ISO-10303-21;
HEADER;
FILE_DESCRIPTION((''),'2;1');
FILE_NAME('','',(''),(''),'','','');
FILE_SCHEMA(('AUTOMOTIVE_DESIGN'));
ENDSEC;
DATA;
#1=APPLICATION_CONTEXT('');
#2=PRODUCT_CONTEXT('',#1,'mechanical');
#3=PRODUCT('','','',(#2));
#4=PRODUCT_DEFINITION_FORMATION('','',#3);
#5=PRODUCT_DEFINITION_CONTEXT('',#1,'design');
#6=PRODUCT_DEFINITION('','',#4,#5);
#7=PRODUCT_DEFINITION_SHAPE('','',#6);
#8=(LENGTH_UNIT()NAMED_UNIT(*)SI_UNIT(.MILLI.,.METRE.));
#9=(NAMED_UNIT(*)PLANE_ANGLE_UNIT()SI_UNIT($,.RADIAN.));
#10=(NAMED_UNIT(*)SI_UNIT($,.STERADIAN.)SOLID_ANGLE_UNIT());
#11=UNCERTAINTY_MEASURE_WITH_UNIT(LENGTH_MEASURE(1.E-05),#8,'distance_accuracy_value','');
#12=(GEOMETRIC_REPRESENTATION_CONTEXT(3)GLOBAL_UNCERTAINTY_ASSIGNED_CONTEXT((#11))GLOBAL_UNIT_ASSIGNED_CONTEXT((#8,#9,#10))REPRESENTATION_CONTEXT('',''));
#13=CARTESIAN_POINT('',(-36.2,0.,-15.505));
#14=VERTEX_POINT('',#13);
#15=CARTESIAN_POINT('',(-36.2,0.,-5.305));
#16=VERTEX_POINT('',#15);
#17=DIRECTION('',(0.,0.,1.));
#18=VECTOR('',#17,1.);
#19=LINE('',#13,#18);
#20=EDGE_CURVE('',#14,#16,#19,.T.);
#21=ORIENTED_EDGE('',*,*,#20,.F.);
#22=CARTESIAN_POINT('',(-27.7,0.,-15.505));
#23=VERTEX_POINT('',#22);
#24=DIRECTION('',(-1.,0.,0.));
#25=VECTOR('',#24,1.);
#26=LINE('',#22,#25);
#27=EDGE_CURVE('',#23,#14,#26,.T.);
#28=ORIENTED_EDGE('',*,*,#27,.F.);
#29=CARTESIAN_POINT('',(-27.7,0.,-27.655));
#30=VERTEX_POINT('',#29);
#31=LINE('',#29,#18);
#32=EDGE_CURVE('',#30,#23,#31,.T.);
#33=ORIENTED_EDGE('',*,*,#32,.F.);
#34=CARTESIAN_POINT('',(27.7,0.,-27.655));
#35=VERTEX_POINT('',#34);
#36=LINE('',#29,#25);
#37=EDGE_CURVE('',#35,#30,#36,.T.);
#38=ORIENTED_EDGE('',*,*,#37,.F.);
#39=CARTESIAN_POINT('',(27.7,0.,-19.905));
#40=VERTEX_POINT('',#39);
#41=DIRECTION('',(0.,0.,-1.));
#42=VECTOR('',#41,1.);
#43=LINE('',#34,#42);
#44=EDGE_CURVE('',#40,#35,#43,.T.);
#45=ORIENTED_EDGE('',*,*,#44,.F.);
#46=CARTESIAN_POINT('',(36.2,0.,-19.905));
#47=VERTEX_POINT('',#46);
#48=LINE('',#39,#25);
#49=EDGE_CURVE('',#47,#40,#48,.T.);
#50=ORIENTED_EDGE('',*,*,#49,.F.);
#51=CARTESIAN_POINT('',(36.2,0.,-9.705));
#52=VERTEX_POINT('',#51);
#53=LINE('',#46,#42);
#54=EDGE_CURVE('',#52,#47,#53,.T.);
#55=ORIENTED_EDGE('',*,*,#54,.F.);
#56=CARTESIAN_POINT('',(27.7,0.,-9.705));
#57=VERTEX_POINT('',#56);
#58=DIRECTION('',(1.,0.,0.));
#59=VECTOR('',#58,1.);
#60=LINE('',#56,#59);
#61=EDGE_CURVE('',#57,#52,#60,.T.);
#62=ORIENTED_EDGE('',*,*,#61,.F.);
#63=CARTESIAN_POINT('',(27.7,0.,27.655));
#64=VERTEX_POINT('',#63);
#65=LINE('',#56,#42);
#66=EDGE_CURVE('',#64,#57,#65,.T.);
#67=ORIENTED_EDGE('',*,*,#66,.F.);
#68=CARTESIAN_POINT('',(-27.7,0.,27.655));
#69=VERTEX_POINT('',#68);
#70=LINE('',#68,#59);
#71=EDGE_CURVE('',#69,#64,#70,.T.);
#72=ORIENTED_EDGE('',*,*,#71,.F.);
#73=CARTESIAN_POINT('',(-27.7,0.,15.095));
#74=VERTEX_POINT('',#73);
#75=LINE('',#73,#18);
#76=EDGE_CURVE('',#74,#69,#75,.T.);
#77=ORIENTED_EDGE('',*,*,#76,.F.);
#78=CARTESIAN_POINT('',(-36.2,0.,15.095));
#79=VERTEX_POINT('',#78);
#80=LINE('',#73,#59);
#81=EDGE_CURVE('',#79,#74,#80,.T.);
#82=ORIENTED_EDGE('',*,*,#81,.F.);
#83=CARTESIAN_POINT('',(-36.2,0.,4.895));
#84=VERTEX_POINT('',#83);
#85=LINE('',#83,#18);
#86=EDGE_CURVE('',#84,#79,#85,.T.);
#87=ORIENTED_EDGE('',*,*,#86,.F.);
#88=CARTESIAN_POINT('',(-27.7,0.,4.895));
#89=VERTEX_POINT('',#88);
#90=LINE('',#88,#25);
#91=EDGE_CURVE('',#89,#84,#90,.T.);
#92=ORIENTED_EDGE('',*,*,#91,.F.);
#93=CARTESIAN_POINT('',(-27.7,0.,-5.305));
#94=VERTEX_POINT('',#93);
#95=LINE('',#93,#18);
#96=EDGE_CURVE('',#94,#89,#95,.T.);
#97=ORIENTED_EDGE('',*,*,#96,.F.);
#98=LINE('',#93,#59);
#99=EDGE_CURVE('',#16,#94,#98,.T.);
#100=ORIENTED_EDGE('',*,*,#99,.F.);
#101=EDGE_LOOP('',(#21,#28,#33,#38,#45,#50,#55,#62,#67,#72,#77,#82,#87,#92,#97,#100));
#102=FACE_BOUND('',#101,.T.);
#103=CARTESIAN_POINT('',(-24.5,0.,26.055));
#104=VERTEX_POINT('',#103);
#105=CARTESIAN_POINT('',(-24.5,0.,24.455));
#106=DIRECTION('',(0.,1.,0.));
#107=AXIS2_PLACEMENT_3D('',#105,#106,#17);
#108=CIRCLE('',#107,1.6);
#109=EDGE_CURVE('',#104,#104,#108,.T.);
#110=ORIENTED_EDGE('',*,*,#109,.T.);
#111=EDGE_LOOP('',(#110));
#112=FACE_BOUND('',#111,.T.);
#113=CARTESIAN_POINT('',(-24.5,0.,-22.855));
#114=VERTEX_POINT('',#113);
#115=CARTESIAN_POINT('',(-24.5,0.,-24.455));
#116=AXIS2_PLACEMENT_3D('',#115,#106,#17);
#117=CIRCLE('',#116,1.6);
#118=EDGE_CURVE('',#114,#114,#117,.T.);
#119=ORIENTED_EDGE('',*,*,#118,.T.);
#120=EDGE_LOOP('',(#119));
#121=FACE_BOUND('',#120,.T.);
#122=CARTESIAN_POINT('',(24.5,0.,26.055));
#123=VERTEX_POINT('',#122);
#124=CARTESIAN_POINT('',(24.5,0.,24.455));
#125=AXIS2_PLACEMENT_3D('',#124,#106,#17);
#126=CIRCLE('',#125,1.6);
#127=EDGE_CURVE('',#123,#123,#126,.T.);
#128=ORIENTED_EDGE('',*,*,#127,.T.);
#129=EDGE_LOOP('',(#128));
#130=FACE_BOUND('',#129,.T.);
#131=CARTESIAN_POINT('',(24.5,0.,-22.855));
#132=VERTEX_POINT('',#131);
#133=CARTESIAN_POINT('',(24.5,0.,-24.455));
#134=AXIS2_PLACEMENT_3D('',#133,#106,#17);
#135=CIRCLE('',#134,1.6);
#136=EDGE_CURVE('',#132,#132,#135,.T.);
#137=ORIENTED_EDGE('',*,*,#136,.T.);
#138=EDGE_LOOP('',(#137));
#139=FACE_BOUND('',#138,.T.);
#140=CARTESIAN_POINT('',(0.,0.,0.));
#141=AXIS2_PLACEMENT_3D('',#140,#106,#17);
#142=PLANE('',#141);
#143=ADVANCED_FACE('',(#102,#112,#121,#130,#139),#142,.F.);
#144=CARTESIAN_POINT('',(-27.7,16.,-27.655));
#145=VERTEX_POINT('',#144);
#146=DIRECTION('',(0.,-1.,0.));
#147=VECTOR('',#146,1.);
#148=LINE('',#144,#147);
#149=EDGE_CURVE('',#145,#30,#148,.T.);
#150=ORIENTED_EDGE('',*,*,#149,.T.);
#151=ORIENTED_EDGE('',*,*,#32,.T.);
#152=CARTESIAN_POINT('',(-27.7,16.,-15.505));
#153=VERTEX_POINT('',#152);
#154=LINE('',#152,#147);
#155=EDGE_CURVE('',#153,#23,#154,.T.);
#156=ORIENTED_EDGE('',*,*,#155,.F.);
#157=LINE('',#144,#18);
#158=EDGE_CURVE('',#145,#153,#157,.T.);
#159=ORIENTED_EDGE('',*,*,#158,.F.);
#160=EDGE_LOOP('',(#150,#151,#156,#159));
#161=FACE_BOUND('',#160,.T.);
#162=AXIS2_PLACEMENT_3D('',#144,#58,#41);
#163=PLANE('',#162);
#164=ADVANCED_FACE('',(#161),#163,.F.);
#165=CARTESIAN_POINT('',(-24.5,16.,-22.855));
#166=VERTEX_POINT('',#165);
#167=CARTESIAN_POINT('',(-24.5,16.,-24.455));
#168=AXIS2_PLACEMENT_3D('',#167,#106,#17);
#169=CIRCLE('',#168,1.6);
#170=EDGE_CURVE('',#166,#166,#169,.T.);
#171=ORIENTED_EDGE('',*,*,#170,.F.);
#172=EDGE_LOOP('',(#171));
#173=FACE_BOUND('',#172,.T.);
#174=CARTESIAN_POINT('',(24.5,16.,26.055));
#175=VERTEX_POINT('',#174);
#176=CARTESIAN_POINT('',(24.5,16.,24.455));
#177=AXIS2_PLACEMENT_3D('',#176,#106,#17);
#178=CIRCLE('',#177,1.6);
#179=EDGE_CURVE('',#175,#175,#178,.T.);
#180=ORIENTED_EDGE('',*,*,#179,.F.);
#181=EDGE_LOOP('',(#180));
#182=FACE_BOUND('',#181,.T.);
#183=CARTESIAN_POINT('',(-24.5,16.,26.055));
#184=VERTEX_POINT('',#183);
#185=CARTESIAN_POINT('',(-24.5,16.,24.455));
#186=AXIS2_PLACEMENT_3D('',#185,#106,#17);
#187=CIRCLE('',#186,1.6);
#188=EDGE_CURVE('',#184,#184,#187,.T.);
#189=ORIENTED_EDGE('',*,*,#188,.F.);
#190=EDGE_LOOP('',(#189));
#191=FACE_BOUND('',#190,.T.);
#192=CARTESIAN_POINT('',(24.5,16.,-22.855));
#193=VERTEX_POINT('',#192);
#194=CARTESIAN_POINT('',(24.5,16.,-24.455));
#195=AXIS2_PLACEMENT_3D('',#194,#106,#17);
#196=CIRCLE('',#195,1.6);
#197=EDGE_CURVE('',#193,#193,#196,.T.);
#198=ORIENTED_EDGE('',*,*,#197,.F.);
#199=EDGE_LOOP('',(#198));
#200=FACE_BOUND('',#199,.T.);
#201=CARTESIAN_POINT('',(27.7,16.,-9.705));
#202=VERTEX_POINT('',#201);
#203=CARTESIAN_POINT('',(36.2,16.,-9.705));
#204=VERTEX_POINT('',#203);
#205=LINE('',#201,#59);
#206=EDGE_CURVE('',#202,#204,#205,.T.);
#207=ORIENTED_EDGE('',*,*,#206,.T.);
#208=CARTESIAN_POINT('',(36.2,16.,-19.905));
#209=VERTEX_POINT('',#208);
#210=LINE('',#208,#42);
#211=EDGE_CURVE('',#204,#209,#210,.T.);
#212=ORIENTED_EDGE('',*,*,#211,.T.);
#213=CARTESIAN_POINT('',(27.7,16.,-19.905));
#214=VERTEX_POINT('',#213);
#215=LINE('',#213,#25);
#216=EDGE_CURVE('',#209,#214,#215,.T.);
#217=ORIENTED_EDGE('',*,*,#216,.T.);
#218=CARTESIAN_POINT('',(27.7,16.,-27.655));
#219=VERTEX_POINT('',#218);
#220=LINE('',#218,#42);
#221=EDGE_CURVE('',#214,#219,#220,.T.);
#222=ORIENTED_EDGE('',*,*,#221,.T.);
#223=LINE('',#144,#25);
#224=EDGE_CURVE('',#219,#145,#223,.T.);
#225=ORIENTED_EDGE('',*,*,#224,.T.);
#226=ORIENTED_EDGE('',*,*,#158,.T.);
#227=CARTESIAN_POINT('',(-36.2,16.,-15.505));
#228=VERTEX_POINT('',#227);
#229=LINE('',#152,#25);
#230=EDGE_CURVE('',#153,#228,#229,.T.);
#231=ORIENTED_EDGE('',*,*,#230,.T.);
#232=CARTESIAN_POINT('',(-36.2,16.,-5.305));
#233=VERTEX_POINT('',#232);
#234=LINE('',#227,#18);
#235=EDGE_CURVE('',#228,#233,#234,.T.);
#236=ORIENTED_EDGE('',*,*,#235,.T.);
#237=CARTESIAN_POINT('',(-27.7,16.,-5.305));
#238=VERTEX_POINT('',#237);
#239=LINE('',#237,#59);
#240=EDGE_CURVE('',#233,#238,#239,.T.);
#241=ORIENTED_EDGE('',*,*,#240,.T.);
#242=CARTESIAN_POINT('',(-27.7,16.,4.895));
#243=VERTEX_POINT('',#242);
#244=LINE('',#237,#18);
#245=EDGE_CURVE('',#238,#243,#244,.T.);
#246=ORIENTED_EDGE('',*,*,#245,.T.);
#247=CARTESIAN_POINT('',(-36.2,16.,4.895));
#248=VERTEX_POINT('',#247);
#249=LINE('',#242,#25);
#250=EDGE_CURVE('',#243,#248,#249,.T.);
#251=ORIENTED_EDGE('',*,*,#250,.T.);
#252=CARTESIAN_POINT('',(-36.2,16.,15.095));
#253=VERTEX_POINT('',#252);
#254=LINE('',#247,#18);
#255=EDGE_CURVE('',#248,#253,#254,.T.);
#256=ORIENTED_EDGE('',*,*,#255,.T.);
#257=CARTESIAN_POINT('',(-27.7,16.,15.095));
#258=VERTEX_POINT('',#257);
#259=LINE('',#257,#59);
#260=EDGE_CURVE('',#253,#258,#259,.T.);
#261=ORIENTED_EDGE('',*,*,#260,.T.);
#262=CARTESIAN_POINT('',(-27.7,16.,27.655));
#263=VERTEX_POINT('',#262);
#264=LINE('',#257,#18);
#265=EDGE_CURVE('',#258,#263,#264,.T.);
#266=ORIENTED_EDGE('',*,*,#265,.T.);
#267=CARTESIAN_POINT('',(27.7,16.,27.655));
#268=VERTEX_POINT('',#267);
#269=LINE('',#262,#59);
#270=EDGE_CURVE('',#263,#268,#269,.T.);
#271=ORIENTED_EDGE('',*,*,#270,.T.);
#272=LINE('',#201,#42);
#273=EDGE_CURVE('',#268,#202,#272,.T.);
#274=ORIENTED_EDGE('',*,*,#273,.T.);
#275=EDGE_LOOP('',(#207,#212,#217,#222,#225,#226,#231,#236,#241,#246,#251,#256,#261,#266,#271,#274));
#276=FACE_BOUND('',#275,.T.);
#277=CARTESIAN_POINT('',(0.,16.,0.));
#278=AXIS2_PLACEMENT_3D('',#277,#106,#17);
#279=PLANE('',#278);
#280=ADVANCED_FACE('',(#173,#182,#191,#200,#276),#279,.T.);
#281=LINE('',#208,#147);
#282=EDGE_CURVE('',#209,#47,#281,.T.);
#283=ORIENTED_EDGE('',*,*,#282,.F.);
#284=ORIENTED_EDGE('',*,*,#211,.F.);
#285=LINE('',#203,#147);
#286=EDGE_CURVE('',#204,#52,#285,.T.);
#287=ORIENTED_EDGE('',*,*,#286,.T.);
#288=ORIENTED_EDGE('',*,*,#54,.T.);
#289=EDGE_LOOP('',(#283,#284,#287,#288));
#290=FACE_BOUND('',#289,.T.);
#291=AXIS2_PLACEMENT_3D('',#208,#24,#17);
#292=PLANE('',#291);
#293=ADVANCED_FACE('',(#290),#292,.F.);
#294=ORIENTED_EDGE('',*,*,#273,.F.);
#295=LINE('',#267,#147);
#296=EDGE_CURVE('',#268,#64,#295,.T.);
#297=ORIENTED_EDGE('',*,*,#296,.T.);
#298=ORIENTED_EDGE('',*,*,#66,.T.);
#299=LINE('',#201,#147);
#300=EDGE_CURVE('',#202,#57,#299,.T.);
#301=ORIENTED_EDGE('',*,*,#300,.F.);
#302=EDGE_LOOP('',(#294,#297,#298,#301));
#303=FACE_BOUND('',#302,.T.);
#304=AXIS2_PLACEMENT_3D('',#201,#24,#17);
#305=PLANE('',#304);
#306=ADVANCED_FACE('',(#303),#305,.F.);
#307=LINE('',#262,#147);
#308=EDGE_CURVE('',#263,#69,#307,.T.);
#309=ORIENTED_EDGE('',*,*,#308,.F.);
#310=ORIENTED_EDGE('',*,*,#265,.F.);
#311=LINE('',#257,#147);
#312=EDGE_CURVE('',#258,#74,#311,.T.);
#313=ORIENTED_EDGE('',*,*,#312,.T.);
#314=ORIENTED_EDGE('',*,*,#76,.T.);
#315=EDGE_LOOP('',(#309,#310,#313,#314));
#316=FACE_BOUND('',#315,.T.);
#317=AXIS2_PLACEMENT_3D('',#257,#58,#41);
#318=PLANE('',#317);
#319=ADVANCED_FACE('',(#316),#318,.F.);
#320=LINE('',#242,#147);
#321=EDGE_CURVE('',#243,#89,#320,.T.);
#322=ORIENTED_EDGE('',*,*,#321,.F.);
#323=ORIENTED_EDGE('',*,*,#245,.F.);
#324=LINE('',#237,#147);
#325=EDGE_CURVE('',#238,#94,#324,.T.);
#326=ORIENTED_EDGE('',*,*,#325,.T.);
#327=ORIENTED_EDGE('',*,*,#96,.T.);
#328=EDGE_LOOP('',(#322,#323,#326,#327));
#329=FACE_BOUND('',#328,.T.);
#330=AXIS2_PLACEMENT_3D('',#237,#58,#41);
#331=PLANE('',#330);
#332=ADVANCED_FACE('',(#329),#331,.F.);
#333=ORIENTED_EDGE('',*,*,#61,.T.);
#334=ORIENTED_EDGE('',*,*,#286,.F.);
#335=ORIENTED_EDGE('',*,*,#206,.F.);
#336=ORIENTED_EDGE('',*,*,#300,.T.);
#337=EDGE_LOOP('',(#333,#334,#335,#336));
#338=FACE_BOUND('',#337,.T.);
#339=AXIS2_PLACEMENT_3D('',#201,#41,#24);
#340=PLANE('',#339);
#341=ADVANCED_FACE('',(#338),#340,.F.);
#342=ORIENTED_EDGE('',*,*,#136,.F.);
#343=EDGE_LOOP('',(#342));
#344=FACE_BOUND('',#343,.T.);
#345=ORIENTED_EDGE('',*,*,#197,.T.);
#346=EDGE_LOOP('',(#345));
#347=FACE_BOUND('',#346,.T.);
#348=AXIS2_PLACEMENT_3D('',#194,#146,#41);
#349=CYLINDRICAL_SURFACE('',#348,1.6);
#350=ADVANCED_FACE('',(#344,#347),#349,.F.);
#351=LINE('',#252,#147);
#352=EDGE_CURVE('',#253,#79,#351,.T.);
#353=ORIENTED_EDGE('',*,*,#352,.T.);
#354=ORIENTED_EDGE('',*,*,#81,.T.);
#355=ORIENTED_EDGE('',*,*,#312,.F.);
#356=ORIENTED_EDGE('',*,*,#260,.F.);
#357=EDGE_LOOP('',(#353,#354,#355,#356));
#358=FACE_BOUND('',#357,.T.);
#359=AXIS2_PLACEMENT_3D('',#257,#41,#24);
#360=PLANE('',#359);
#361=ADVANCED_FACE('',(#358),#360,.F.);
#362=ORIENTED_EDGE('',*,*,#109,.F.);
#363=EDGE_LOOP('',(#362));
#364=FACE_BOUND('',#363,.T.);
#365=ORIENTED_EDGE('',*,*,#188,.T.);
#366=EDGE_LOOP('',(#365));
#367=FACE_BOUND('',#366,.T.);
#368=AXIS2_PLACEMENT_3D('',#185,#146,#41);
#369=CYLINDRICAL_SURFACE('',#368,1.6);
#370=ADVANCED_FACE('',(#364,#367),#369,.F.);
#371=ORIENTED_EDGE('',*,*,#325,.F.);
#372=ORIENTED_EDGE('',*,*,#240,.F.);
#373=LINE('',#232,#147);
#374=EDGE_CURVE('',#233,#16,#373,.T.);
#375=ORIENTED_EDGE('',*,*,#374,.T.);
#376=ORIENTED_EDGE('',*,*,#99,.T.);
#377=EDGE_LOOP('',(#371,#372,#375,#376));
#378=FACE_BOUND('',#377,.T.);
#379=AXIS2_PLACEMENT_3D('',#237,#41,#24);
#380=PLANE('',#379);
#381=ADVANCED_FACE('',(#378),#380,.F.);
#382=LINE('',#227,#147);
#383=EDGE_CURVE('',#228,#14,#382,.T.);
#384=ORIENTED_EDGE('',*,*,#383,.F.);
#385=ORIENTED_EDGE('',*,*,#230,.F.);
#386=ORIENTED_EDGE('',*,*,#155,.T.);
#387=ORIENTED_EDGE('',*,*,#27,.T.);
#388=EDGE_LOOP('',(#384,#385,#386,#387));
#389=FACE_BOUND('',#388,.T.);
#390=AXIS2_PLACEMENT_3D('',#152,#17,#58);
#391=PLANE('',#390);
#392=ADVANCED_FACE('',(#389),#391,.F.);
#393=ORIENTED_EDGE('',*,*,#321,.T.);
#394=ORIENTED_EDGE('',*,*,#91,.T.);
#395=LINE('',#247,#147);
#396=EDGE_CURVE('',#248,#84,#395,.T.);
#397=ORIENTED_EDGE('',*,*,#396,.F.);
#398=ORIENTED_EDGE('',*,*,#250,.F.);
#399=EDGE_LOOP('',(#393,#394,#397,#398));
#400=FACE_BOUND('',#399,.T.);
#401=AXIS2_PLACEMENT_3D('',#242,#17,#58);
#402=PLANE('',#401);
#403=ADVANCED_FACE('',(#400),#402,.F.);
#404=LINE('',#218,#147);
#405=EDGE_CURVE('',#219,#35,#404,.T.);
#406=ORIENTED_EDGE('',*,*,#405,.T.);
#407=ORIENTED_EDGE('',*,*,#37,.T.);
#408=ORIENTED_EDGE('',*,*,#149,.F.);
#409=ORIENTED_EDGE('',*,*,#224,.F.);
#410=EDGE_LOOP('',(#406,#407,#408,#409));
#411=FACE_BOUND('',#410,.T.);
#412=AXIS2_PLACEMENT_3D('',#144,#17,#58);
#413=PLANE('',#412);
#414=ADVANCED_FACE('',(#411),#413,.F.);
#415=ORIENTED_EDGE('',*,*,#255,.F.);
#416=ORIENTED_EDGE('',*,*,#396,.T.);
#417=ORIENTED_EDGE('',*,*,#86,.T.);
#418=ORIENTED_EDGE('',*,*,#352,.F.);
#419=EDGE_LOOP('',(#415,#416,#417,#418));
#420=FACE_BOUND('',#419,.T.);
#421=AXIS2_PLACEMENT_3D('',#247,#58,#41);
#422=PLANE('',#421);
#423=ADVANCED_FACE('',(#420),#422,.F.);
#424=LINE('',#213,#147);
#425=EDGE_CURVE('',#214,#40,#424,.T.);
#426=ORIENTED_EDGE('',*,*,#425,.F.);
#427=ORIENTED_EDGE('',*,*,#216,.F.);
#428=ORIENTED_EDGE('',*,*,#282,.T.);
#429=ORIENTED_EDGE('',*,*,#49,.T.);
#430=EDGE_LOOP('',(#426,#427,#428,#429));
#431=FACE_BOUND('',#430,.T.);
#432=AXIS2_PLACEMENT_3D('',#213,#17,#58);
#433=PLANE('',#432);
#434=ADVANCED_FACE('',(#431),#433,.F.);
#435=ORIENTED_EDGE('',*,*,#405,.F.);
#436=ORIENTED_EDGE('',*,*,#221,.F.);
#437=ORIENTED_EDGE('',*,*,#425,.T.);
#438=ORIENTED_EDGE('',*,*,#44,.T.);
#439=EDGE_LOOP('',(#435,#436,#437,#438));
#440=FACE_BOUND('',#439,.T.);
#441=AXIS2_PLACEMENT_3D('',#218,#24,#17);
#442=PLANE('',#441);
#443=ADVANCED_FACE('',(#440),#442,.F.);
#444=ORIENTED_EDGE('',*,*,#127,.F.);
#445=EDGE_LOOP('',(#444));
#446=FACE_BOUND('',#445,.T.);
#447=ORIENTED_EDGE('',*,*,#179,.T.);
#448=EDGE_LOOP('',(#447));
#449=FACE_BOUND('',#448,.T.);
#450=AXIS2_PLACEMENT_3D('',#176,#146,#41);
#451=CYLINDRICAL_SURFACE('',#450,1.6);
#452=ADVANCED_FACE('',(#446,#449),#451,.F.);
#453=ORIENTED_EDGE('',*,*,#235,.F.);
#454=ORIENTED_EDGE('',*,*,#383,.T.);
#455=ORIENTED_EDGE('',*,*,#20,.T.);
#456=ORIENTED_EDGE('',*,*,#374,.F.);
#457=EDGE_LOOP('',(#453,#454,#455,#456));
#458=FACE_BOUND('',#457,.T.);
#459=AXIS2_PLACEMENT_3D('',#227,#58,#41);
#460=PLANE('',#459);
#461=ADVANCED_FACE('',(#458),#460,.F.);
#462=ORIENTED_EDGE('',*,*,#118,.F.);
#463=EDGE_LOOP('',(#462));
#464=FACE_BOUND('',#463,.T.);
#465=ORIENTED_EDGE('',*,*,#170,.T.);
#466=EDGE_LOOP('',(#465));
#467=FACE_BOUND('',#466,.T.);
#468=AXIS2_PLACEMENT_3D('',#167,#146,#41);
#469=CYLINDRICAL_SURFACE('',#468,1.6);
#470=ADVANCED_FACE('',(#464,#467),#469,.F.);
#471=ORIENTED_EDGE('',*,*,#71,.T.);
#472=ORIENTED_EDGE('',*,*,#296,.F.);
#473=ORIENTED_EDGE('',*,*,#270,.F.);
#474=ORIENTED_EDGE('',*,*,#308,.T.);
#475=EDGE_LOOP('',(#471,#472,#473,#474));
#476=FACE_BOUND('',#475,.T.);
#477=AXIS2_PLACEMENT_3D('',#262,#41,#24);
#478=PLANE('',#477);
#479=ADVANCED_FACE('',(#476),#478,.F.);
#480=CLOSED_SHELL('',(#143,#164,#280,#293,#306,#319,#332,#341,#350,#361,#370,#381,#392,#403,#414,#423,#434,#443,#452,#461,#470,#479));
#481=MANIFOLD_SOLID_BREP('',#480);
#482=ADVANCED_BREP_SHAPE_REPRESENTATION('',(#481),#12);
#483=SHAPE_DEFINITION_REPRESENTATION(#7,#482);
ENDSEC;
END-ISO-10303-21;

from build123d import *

# Parameters (mm, degrees)
SKETCH1_R           = 1.6
BOSS_EXTRUDE1_DEPTH = 16


with BuildPart() as part:
    # Sketch1 → Boss-Extrude1 (new body)
    with BuildSketch(Plane(origin=(0, 0, 0), x_dir=(1, 0, 0), z_dir=(0, 1, 0))):
        Polygon((-27.7, 27.655), (27.7, 27.655), (27.7, 19.905), (36.2, 19.905), (36.2, 9.705), (27.7, 9.705), (27.7, -27.655), (-27.7, -27.655), (-27.7, -15.095), (-36.2, -15.095), (-36.2, -4.895), (-27.7, -4.895), (-27.7, 5.305), (-36.2, 5.305), (-36.2, 15.505), (-27.7, 15.505), align=None)
        with Locations((-24.5, 24.455)):
            Circle(SKETCH1_R, mode=Mode.SUBTRACT)
        with Locations((24.5, 24.455)):
            Circle(SKETCH1_R, mode=Mode.SUBTRACT)
        with Locations((-24.5, -24.455)):
            Circle(SKETCH1_R, mode=Mode.SUBTRACT)
        with Locations((24.5, -24.455)):
            Circle(SKETCH1_R, mode=Mode.SUBTRACT)
    extrude(amount=BOSS_EXTRUDE1_DEPTH)


solid = part.part
